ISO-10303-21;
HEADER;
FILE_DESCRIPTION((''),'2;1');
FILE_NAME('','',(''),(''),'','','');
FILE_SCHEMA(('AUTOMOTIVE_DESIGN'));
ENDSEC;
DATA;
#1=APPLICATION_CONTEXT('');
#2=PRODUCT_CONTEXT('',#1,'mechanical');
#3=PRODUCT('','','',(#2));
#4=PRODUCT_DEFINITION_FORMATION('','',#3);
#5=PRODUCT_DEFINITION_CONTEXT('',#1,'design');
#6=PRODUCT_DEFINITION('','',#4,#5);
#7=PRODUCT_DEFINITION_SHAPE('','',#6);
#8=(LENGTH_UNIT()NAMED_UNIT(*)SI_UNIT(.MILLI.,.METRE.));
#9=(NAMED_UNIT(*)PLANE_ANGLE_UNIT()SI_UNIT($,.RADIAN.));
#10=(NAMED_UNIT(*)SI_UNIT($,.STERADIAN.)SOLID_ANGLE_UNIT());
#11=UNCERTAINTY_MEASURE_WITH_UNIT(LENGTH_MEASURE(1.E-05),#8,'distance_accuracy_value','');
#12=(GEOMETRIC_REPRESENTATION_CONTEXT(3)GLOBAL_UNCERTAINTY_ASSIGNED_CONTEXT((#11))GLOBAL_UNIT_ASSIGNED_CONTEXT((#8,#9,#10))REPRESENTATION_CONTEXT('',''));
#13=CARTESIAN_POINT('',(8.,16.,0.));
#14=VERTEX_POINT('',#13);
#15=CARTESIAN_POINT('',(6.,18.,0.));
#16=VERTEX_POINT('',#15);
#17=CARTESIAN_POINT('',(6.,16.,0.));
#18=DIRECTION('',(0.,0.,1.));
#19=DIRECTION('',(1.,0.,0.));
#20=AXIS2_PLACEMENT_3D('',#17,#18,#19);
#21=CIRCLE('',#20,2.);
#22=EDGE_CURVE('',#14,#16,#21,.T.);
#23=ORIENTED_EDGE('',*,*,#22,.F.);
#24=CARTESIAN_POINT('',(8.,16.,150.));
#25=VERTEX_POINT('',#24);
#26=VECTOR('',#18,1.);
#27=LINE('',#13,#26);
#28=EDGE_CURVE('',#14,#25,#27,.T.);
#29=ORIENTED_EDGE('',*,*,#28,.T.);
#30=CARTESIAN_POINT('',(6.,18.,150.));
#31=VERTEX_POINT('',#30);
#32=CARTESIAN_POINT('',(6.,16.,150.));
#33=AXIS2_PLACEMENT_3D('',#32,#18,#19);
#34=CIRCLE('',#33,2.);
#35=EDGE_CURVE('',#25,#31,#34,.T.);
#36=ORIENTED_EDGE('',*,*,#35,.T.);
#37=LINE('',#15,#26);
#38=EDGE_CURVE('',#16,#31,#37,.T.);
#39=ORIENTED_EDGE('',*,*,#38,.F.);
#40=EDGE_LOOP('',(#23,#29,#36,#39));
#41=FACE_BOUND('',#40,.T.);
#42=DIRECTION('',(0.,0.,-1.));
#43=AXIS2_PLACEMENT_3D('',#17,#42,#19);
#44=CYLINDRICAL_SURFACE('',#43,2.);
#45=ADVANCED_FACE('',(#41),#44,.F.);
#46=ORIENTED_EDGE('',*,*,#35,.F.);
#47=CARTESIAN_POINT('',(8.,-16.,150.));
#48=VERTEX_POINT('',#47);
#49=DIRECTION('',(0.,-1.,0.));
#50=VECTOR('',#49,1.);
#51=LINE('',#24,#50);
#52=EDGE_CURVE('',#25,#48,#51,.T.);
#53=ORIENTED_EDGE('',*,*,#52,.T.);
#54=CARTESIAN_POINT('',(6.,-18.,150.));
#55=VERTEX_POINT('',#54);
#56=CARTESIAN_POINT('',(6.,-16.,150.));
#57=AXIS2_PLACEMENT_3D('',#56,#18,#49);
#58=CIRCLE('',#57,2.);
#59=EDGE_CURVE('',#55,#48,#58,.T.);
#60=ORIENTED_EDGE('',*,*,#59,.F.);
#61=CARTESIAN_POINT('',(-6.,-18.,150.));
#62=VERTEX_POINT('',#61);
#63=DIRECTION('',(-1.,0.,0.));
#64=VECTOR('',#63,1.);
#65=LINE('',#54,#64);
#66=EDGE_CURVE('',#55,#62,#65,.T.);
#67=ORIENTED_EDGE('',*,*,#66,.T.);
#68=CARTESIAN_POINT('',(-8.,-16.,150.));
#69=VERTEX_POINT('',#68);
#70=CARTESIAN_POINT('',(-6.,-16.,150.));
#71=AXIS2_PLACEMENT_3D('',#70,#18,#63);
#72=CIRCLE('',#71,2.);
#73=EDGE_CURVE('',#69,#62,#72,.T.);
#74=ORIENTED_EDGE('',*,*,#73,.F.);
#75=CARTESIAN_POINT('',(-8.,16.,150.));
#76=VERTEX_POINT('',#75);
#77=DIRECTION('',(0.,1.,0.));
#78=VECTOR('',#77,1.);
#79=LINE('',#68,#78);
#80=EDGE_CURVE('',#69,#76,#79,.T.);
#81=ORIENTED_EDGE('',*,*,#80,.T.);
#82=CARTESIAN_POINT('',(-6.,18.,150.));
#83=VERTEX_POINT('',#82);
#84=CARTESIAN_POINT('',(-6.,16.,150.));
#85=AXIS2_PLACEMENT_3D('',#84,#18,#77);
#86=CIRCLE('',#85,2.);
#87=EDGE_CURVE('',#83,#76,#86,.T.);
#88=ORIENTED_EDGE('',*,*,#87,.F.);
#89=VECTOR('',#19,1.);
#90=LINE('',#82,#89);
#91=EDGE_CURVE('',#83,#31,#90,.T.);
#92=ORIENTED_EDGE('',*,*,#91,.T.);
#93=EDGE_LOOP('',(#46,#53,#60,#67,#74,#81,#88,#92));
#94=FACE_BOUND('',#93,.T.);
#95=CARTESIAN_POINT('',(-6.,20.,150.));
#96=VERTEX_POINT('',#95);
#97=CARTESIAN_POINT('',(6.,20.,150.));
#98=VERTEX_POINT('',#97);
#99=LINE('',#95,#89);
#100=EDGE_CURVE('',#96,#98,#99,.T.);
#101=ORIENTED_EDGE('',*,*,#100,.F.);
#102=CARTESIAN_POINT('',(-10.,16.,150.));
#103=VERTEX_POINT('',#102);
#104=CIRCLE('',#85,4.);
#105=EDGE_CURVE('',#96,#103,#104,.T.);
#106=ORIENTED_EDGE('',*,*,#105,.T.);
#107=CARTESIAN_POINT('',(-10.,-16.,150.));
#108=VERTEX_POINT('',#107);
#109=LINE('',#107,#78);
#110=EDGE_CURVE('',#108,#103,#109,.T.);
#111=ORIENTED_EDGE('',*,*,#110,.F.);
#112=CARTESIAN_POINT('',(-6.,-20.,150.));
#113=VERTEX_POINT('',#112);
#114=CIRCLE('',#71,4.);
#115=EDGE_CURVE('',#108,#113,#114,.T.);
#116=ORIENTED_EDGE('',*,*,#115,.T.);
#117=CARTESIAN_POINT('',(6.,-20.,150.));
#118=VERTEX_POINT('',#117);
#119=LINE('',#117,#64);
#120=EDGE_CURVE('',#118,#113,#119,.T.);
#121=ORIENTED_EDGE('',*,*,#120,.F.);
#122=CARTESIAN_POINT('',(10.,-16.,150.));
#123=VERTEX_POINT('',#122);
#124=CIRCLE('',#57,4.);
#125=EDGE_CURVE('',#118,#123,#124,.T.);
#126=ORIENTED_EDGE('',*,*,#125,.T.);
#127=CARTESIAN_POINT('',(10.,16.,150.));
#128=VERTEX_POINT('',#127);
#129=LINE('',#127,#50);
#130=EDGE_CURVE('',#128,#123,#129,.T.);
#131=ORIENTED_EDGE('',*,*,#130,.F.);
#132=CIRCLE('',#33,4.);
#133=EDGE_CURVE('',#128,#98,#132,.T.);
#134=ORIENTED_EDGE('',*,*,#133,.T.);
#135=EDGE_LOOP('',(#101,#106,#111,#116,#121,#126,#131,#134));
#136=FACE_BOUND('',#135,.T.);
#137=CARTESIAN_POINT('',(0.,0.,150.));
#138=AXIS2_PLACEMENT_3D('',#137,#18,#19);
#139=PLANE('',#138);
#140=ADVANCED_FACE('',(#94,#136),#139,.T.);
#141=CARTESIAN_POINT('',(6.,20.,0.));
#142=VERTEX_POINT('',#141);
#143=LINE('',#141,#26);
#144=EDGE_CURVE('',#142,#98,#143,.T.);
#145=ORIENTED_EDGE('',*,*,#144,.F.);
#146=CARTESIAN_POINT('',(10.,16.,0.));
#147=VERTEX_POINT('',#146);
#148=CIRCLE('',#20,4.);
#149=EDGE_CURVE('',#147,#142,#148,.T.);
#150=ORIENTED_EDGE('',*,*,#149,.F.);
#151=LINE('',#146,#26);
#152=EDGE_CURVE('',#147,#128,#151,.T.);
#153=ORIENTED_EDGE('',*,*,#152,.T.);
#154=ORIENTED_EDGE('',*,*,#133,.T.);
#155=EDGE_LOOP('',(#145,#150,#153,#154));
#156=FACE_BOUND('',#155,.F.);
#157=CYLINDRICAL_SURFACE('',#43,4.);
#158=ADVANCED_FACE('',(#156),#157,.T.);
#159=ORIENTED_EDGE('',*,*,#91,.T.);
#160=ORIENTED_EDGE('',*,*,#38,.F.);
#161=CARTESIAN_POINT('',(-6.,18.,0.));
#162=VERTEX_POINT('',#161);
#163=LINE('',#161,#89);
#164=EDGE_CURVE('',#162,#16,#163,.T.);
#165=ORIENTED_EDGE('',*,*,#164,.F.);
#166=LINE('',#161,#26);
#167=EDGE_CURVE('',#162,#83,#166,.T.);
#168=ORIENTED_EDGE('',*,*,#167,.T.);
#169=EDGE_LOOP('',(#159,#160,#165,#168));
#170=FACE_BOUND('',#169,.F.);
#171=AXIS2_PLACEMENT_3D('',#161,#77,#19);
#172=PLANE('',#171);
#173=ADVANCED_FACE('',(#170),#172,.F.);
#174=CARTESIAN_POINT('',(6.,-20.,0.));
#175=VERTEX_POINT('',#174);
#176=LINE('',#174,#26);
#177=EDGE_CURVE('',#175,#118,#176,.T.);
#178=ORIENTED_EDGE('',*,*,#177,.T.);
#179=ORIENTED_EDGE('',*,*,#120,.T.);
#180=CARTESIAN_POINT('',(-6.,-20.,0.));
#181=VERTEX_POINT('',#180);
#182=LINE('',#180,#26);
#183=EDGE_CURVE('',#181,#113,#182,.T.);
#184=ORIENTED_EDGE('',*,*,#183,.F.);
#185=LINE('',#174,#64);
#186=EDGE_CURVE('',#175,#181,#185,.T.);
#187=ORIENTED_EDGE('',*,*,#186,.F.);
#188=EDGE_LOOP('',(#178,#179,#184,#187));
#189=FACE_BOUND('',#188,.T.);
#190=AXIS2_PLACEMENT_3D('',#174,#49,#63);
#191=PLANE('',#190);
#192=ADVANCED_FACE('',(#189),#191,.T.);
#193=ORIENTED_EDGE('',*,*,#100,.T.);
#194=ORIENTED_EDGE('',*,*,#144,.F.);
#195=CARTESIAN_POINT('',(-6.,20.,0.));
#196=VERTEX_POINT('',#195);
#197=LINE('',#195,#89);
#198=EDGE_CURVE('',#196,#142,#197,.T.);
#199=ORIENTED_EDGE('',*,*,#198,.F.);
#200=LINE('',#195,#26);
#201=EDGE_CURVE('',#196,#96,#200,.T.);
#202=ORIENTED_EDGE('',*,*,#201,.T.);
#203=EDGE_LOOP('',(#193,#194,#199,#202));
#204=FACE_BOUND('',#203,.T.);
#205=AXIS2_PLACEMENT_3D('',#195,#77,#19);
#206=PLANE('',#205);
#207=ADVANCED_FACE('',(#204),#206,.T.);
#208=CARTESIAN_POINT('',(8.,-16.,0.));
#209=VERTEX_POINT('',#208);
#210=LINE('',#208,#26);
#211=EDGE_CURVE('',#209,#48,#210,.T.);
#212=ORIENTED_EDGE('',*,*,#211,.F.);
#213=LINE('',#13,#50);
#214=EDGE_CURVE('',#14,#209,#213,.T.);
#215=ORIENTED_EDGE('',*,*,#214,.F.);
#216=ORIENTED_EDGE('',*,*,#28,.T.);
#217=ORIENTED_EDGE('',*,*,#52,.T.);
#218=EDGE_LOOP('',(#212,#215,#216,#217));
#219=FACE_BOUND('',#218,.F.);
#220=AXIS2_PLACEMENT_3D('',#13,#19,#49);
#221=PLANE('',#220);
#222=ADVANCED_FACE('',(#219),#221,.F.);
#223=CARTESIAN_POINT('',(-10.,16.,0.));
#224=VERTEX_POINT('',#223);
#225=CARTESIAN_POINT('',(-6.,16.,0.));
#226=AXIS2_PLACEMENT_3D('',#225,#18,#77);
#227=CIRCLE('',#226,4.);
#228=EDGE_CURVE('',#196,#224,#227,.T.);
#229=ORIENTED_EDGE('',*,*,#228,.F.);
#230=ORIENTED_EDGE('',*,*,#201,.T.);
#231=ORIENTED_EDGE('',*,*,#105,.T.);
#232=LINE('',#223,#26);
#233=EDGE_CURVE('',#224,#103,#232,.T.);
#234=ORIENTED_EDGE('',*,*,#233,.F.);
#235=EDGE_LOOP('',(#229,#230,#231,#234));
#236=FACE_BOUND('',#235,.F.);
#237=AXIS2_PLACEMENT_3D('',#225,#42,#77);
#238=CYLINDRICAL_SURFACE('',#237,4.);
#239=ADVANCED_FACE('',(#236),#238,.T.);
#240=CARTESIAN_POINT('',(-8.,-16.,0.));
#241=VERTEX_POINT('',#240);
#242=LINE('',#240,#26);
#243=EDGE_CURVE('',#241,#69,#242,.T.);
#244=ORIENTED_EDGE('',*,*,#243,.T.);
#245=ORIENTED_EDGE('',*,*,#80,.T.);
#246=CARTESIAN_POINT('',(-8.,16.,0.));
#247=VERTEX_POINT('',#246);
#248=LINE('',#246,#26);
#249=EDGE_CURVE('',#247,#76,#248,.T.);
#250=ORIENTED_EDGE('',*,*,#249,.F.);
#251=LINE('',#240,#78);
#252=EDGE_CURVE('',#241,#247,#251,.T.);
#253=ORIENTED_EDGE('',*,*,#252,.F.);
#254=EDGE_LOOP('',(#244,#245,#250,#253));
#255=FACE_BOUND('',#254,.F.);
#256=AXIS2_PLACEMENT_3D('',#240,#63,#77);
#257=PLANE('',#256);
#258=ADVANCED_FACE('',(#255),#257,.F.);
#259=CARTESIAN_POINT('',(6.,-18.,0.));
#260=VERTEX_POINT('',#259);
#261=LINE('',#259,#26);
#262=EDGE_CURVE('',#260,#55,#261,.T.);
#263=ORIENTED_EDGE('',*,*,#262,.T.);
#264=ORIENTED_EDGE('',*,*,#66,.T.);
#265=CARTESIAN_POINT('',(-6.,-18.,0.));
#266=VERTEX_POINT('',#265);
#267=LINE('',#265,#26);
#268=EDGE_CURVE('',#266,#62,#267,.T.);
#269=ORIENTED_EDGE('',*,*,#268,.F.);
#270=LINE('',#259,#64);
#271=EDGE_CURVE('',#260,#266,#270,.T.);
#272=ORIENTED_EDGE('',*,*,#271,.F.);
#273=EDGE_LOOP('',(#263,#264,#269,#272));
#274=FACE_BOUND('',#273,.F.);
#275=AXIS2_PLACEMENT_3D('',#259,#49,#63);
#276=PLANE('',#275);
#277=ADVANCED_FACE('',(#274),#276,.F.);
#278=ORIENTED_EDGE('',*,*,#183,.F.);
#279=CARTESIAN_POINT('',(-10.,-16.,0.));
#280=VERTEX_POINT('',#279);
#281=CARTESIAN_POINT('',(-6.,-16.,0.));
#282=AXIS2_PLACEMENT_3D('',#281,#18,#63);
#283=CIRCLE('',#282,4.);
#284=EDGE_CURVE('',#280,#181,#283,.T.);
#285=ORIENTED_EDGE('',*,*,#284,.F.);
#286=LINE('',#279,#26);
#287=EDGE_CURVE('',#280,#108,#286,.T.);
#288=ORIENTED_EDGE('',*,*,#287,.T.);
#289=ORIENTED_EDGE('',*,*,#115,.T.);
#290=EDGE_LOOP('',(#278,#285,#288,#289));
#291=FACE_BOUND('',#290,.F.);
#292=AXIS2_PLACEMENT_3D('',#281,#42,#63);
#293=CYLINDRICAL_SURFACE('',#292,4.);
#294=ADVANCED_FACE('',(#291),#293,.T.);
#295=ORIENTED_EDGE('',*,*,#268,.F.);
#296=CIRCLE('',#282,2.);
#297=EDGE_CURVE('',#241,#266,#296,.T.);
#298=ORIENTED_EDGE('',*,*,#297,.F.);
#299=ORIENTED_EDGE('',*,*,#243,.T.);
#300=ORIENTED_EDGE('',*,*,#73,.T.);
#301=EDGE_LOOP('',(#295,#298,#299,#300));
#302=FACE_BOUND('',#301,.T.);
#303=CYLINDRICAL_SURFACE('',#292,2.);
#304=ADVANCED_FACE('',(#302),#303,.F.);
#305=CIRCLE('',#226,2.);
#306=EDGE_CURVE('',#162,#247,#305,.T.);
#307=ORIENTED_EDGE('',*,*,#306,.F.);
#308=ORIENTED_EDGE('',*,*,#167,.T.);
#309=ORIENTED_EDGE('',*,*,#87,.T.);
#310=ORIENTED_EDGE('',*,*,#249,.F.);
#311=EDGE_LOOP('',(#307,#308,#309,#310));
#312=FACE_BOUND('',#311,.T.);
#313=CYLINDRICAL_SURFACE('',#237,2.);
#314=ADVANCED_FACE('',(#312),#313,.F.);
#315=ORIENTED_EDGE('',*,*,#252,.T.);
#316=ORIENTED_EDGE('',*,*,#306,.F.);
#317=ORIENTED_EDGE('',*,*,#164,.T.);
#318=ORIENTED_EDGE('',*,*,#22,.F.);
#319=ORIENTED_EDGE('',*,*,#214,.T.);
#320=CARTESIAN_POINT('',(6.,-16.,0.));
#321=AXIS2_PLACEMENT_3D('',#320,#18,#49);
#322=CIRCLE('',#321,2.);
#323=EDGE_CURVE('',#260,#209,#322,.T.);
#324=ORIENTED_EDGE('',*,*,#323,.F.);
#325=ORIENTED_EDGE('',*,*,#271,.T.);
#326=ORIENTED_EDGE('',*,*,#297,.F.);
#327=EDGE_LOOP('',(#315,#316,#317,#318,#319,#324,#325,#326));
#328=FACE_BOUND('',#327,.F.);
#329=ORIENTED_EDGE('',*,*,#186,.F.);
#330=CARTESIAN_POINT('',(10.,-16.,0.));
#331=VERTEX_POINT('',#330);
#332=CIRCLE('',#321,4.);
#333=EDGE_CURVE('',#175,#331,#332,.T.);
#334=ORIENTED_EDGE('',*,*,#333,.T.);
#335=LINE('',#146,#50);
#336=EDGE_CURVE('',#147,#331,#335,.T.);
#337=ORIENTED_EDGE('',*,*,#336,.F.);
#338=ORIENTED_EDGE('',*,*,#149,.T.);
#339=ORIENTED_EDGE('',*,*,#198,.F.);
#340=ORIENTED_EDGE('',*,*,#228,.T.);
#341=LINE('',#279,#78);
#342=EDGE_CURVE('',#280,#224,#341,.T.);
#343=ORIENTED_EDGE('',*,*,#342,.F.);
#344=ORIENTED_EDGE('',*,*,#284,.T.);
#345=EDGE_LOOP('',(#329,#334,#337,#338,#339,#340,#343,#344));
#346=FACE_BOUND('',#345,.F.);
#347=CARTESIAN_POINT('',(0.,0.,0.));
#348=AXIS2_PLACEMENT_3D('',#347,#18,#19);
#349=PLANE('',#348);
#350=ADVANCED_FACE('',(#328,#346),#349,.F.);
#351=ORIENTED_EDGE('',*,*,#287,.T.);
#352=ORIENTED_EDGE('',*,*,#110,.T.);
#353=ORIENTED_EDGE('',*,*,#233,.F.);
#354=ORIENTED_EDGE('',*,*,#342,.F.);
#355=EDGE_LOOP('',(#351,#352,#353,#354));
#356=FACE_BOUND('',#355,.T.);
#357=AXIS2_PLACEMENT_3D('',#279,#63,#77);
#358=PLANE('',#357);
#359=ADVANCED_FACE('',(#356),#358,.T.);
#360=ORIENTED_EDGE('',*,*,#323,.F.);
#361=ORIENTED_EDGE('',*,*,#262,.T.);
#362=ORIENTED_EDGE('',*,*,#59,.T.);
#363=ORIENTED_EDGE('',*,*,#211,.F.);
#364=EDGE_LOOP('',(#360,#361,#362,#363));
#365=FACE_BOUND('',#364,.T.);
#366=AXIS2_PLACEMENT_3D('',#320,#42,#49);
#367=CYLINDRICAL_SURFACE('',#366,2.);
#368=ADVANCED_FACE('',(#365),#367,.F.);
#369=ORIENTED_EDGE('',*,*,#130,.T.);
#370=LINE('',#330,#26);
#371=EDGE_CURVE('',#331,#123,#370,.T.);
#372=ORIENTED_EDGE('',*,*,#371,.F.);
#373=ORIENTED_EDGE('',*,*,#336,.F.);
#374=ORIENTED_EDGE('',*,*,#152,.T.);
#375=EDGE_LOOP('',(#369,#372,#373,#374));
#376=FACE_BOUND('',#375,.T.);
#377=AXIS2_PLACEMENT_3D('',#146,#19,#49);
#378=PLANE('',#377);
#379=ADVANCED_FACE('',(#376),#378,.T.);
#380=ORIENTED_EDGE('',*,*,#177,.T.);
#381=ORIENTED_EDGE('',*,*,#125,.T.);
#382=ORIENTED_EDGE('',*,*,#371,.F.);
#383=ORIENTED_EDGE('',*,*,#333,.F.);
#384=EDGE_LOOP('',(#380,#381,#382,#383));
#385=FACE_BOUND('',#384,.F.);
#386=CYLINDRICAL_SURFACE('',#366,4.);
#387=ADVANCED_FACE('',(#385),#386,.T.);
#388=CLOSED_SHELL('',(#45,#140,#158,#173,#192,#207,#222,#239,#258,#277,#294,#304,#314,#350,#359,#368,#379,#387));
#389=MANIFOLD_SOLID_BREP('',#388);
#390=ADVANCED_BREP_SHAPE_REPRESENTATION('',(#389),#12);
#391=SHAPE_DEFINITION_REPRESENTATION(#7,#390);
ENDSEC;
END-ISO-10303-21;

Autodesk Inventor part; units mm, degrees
ref_plane "YZ Plane" through (0, 0, 0) normal (1, 0, 0) x (0, 1, 0)
ref_plane "Start Plane" through (0, 0, 0) normal (0, 0, 1) x (1, 0, 0)
ref_plane "End Plane" through (0, 0, 150) normal (0, 0, 1) x (1, 0, 0)
sketch "Sketch" plane through (0, 0, 0) normal (0, 0, 1) x (1, 0, 0)
  line L0 (-10, -16) -> (-10, 16)
  line L1 (-6, 20) -> (6, 20)
  line L2 (10, 16) -> (10, -16)
  line L3 (6, -20) -> (-6, -20)
  arc A0 (-10, -16) -> (-6, -20) centre (-6, -16) ccw
  arc A1 (10, 16) -> (6, 20) centre (6, 16) ccw
  arc A2 (-6, 20) -> (-10, 16) centre (-6, 16) ccw
  arc A3 (6, -20) -> (10, -16) centre (6, -16) ccw
  arc A4 (-6, 18) -> (-8, 16) centre (-6, 16) ccw
  line L4 (-6, 18) -> (6, 18)
  arc A5 (8, 16) -> (6, 18) centre (6, 16) ccw
  line L5 (8, 16) -> (8, -16)
  arc A6 (6, -18) -> (8, -16) centre (6, -16) ccw
  line L6 (6, -18) -> (-6, -18)
  arc A7 (-8, -16) -> (-6, -18) centre (-6, -16) ccw
  line L7 (-8, -16) -> (-8, 16)
  line L8 (0, 29.1598) -> (0, -29.1598) construction
  line L9 (-15.1598, 0) -> (15.1598, 0) construction
  dimension "d7" = 4
  dimension "d9" = 20
  dimension "d11" = 40
  dimension "d12" = 2
  dimension "d15" = 10
  dimension "d16" = 20
extrude "Body" add sketch "Sketch" along normal up to surface (150 mm away) from surface at 0
sketch "Sketch3" plane through (0, 0, 0) normal (0, 0, 1) x (1, 0, 0)
  line L0 (0, 0) -> (10, 0)
ref_plane "Work Plane3" through (0, 0, 0) normal (0, -1, 0) x (1, 0, 0)
sketch "Sketch4" plane through (0, 0, 0) normal (0, -1, 0) x (1, 0, 0)
  line L0 (-2, 0) -> (12, 0) projected
  line L1 (-2, 150) -> (12, 150) projected
  dimension "d18" = 150
equation "\"d7\" = G_IR"
equation "\"d9\" = G_W"
equation "\"d11\" = G_H"
equation "\"d12\" = G_T"
equation "\"d15\" = 0.5 * d9"
equation "\"d16\" = 0.5 * d11"
equation "\"d3\" = G_L"
equation "\"G_W\" = 20"
equation "\"G_H\" = 40"
equation "\"G_T\" = 2"
equation "\"G_IR\" = 4"
equation "\"G_L\" = d18"
equation "\"G_OFFSET_START\" = 0"
properties part number "ISO 10799-2 - 40x20x2 - 150" material "Steel, Mild"
